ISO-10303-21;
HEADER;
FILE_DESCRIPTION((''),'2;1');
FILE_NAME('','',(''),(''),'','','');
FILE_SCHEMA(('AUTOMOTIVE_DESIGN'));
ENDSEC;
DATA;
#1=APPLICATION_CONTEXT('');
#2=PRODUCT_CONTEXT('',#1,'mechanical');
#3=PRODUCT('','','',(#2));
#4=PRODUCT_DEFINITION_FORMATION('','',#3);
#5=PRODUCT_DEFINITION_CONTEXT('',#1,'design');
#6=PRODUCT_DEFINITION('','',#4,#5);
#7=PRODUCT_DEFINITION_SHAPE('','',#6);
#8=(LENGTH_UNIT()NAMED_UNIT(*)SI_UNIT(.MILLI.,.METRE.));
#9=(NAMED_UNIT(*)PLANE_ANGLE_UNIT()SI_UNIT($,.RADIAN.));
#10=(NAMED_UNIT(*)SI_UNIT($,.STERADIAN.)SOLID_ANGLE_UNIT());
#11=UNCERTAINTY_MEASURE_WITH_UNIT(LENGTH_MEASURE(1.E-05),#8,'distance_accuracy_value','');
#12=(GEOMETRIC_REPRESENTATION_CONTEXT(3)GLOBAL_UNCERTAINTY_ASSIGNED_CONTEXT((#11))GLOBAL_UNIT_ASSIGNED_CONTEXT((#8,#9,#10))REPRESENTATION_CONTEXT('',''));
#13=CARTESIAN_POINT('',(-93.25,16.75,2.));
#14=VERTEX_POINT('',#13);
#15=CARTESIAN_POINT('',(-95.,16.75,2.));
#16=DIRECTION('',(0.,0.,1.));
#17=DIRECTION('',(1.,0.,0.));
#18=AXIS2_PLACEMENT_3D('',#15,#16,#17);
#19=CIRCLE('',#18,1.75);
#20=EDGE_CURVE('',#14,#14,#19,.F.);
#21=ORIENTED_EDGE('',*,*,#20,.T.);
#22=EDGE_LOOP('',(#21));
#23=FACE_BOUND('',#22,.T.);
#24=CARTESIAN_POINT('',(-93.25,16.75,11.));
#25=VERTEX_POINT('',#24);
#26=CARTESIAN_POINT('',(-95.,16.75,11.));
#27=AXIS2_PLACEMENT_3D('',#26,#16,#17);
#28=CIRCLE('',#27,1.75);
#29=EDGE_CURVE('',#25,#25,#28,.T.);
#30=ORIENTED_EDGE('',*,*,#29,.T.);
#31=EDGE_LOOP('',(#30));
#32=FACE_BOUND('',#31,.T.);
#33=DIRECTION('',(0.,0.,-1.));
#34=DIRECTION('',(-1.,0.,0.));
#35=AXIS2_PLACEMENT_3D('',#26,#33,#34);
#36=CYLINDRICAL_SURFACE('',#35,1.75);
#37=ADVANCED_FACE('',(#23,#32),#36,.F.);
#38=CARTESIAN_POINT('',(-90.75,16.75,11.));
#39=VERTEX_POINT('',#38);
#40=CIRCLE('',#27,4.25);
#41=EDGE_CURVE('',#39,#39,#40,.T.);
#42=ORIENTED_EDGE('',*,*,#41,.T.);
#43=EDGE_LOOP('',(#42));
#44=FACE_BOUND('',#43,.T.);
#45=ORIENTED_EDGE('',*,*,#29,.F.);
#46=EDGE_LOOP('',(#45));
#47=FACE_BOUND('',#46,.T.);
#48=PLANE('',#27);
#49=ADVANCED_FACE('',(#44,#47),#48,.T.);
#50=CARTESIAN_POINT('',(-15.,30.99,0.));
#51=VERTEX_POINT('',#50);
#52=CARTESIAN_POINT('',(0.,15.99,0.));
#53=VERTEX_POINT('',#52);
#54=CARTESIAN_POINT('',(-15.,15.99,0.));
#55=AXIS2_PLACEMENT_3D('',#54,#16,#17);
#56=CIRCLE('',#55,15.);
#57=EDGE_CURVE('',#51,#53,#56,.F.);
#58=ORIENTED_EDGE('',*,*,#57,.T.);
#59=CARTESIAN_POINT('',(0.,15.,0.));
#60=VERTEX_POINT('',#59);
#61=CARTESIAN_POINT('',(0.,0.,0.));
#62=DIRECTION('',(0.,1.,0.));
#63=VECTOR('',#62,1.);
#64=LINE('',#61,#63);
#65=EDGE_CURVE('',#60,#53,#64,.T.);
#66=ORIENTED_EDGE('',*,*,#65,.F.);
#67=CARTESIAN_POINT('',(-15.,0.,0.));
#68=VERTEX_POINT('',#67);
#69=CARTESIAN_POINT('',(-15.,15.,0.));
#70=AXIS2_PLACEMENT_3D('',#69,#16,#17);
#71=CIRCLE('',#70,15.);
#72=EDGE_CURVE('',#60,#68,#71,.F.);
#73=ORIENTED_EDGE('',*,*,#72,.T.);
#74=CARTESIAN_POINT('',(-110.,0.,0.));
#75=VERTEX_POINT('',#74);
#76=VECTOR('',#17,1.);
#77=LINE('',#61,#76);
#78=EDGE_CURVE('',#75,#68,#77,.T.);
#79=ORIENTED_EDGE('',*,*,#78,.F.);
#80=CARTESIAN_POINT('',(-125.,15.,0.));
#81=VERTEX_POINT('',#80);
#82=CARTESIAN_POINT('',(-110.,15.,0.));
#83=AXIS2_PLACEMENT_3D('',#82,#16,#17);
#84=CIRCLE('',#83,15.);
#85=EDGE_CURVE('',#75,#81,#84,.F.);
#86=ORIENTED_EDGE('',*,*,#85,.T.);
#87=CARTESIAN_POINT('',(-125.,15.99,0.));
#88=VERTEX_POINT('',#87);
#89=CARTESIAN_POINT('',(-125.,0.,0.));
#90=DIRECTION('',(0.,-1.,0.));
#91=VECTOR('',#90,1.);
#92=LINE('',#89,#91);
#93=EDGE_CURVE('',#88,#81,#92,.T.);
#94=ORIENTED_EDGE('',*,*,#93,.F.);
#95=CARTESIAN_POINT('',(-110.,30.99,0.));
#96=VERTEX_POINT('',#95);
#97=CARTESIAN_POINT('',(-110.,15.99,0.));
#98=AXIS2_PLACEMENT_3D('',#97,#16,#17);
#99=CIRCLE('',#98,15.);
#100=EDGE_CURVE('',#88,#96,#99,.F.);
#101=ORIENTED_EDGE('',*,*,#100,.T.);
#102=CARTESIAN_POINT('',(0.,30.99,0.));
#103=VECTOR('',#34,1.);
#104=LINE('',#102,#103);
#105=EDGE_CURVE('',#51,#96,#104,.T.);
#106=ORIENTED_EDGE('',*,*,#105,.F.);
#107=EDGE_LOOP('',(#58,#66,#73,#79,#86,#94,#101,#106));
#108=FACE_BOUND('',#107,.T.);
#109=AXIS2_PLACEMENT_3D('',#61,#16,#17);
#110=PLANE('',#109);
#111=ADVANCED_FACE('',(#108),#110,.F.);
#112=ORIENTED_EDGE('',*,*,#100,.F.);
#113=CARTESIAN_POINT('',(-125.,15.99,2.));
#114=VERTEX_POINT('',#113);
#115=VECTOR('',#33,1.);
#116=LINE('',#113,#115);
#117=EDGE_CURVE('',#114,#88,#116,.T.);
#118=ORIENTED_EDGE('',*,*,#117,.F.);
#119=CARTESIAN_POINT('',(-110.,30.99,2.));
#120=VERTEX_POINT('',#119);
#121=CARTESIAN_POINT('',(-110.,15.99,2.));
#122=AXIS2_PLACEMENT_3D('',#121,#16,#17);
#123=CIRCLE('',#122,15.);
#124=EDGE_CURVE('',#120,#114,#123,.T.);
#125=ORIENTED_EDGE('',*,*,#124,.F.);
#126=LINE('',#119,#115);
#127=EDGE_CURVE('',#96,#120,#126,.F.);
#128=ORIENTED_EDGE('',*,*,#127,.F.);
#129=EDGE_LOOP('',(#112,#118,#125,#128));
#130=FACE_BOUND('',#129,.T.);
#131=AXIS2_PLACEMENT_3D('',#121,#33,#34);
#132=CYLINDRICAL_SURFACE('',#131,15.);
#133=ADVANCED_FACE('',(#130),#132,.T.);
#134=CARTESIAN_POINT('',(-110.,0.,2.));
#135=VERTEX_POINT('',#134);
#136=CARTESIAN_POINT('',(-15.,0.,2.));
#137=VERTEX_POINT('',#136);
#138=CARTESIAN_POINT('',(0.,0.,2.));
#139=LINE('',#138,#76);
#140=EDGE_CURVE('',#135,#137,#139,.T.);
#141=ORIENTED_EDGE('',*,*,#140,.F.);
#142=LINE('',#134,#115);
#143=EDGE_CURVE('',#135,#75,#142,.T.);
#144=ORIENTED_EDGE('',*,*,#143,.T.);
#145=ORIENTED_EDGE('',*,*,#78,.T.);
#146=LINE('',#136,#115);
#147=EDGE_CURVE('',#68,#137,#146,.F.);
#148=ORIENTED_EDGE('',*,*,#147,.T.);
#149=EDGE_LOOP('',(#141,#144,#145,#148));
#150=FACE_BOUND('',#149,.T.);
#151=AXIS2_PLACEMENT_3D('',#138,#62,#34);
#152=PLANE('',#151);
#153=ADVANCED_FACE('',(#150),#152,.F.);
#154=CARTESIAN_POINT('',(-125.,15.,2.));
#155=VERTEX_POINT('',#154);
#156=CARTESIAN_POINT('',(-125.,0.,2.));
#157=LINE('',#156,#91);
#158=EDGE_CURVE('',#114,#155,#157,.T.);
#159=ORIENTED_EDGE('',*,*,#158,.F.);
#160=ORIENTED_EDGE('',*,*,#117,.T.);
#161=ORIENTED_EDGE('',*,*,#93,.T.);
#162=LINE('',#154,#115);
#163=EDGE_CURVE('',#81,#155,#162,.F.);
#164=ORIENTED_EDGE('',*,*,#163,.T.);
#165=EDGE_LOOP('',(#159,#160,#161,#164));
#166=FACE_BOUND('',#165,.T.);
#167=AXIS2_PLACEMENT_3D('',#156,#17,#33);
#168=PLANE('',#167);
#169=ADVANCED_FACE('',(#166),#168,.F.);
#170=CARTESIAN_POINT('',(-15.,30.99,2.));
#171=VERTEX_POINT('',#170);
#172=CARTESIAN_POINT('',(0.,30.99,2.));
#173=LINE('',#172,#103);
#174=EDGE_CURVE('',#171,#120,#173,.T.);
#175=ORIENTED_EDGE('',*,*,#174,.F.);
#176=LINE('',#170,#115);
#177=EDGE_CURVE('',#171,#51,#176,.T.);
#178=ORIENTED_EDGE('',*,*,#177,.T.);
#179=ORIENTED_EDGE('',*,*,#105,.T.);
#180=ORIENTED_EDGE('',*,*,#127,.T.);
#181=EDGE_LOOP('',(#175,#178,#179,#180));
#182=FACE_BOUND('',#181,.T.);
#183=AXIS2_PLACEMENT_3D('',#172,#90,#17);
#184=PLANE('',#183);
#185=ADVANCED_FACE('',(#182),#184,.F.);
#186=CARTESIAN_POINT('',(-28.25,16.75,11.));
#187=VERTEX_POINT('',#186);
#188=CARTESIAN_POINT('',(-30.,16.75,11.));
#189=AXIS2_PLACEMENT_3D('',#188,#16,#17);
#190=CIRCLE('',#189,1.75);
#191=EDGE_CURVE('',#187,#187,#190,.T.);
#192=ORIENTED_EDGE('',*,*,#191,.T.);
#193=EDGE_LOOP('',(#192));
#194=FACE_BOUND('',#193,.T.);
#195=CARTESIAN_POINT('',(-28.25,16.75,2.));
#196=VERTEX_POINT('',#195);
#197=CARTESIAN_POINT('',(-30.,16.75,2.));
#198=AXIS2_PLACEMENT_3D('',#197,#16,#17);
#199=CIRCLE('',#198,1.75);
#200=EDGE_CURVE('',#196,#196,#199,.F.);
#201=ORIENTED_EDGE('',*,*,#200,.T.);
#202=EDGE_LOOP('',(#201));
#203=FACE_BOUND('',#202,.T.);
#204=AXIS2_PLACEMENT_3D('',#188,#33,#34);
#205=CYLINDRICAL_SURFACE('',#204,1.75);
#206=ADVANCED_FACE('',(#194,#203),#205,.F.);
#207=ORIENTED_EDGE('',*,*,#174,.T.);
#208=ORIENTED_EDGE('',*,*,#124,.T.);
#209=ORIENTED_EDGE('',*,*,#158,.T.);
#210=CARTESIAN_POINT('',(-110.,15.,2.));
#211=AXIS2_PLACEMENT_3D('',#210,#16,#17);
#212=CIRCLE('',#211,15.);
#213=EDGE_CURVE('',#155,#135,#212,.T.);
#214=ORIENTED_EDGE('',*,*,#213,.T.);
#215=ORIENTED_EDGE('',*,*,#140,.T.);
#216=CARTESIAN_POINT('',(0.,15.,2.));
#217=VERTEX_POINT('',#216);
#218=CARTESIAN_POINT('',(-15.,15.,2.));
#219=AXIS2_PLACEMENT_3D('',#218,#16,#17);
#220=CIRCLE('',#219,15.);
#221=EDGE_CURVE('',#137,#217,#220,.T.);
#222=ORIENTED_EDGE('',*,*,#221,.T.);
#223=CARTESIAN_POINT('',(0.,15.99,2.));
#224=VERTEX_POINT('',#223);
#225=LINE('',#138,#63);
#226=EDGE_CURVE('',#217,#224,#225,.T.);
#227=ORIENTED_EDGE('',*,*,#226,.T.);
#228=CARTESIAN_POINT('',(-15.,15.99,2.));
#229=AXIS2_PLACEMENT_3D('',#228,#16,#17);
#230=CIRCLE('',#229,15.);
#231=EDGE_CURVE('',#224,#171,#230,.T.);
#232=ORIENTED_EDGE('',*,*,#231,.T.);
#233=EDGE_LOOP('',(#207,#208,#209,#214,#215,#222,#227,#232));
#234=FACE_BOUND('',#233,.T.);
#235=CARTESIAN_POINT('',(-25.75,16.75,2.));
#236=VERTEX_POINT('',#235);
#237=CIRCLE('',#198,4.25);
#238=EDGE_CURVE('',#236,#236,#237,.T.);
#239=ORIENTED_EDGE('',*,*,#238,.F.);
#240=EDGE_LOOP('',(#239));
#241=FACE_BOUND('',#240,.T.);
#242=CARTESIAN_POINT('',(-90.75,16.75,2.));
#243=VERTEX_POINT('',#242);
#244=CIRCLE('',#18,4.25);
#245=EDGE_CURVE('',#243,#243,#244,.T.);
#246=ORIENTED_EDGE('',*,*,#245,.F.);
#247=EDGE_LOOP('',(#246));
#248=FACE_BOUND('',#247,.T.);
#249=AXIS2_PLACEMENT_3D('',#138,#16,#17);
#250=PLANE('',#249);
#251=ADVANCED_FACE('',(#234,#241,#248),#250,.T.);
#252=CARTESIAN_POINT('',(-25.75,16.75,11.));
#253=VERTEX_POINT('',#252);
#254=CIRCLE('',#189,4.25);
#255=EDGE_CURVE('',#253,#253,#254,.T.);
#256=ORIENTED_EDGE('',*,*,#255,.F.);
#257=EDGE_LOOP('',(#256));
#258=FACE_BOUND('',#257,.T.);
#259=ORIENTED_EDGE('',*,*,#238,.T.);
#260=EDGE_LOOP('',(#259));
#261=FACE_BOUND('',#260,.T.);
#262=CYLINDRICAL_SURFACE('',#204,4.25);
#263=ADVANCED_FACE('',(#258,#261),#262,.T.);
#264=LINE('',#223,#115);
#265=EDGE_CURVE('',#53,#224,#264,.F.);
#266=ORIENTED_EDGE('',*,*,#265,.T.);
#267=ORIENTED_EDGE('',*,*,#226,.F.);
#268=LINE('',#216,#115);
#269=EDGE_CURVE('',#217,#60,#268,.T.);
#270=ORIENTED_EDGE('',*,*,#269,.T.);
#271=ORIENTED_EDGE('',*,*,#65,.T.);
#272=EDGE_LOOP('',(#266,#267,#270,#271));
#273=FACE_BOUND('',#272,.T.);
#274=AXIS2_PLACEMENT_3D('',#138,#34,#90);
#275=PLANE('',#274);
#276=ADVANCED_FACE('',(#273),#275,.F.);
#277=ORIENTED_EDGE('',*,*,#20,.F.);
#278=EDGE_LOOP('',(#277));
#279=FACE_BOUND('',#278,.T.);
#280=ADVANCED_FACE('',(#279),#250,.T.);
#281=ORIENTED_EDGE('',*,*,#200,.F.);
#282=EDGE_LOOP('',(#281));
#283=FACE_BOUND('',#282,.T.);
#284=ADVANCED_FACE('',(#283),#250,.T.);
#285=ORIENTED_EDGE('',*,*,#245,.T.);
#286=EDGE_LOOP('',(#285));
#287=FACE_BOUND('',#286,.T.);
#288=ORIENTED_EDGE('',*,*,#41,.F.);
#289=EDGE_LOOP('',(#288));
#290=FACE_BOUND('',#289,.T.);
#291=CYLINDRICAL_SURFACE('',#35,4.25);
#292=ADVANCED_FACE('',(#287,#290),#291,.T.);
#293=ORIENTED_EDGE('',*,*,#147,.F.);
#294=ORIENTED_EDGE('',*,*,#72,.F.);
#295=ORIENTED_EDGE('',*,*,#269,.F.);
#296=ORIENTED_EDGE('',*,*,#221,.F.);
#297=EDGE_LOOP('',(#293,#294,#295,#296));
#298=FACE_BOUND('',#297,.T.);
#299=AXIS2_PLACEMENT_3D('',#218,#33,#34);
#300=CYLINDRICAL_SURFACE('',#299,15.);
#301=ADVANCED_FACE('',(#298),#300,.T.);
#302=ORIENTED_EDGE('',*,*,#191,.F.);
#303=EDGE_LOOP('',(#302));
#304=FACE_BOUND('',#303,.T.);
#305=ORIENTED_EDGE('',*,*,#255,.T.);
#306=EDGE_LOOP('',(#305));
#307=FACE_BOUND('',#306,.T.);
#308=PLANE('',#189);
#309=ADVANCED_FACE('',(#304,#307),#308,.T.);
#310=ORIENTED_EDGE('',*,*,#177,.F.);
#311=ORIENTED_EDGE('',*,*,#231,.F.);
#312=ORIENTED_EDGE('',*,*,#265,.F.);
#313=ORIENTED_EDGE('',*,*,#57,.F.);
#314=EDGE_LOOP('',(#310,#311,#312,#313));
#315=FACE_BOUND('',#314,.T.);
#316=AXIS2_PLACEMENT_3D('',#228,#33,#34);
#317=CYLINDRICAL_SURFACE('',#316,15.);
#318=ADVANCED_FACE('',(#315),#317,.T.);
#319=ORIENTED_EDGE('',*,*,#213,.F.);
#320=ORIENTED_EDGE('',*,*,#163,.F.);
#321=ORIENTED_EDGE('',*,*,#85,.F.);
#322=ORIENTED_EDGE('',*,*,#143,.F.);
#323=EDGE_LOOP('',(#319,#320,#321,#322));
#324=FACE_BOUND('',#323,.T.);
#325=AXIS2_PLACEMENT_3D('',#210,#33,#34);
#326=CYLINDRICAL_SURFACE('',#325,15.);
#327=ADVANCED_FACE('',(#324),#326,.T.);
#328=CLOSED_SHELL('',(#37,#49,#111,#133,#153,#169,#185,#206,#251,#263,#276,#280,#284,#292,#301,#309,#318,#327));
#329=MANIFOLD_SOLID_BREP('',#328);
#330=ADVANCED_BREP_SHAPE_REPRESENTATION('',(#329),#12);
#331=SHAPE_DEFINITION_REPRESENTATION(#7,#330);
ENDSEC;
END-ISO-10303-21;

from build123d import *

# Parameters (mm, degrees)
ESQUISSE1_W        = 125
ESQUISSE1_H        = 30.99
BOSS_EXTRU_1_DEPTH = 2
CONG_1_R           = 15
ESQUISSE2_R        = 4.25
ESQUISSE2_R_2      = 1.75
BOSS_EXTRU_2_DEPTH = 9


with BuildPart() as part:
    # Esquisse1 → Boss.-Extru.1 (new body)
    with BuildSketch(Plane.XY):
        with Locations((-62.5, 15.495)):
            Rectangle(ESQUISSE1_W, ESQUISSE1_H)
    extrude(amount=BOSS_EXTRU_1_DEPTH)

    # Congé1
    cong_1_edges = [part.edges().sort_by_distance(p)[0] for p in [
        (0, 0, 1),
        (-125, 0, 1),
        (-125, 30.99, 1),
        (0, 30.99, 1),
    ]]
    fillet(cong_1_edges, radius=CONG_1_R)

    # Esquisse2 → Boss.-Extru.2 (add)
    # profile 1 of 2: a face of its own
    with BuildSketch(Plane.XY.offset(2)):
        with Locations((-95, 16.75)):
            Circle(ESQUISSE2_R)
        with Locations((-95, 16.75)):
            Circle(ESQUISSE2_R_2, mode=Mode.SUBTRACT)
    # profile 2 of 2: a face of its own
    with BuildSketch(Plane.XY.offset(2)):
        with Locations((-30, 16.75)):
            Circle(ESQUISSE2_R)
        with Locations((-30, 16.75)):
            Circle(ESQUISSE2_R_2, mode=Mode.SUBTRACT)
    extrude(amount=BOSS_EXTRU_2_DEPTH)


solid = part.part
